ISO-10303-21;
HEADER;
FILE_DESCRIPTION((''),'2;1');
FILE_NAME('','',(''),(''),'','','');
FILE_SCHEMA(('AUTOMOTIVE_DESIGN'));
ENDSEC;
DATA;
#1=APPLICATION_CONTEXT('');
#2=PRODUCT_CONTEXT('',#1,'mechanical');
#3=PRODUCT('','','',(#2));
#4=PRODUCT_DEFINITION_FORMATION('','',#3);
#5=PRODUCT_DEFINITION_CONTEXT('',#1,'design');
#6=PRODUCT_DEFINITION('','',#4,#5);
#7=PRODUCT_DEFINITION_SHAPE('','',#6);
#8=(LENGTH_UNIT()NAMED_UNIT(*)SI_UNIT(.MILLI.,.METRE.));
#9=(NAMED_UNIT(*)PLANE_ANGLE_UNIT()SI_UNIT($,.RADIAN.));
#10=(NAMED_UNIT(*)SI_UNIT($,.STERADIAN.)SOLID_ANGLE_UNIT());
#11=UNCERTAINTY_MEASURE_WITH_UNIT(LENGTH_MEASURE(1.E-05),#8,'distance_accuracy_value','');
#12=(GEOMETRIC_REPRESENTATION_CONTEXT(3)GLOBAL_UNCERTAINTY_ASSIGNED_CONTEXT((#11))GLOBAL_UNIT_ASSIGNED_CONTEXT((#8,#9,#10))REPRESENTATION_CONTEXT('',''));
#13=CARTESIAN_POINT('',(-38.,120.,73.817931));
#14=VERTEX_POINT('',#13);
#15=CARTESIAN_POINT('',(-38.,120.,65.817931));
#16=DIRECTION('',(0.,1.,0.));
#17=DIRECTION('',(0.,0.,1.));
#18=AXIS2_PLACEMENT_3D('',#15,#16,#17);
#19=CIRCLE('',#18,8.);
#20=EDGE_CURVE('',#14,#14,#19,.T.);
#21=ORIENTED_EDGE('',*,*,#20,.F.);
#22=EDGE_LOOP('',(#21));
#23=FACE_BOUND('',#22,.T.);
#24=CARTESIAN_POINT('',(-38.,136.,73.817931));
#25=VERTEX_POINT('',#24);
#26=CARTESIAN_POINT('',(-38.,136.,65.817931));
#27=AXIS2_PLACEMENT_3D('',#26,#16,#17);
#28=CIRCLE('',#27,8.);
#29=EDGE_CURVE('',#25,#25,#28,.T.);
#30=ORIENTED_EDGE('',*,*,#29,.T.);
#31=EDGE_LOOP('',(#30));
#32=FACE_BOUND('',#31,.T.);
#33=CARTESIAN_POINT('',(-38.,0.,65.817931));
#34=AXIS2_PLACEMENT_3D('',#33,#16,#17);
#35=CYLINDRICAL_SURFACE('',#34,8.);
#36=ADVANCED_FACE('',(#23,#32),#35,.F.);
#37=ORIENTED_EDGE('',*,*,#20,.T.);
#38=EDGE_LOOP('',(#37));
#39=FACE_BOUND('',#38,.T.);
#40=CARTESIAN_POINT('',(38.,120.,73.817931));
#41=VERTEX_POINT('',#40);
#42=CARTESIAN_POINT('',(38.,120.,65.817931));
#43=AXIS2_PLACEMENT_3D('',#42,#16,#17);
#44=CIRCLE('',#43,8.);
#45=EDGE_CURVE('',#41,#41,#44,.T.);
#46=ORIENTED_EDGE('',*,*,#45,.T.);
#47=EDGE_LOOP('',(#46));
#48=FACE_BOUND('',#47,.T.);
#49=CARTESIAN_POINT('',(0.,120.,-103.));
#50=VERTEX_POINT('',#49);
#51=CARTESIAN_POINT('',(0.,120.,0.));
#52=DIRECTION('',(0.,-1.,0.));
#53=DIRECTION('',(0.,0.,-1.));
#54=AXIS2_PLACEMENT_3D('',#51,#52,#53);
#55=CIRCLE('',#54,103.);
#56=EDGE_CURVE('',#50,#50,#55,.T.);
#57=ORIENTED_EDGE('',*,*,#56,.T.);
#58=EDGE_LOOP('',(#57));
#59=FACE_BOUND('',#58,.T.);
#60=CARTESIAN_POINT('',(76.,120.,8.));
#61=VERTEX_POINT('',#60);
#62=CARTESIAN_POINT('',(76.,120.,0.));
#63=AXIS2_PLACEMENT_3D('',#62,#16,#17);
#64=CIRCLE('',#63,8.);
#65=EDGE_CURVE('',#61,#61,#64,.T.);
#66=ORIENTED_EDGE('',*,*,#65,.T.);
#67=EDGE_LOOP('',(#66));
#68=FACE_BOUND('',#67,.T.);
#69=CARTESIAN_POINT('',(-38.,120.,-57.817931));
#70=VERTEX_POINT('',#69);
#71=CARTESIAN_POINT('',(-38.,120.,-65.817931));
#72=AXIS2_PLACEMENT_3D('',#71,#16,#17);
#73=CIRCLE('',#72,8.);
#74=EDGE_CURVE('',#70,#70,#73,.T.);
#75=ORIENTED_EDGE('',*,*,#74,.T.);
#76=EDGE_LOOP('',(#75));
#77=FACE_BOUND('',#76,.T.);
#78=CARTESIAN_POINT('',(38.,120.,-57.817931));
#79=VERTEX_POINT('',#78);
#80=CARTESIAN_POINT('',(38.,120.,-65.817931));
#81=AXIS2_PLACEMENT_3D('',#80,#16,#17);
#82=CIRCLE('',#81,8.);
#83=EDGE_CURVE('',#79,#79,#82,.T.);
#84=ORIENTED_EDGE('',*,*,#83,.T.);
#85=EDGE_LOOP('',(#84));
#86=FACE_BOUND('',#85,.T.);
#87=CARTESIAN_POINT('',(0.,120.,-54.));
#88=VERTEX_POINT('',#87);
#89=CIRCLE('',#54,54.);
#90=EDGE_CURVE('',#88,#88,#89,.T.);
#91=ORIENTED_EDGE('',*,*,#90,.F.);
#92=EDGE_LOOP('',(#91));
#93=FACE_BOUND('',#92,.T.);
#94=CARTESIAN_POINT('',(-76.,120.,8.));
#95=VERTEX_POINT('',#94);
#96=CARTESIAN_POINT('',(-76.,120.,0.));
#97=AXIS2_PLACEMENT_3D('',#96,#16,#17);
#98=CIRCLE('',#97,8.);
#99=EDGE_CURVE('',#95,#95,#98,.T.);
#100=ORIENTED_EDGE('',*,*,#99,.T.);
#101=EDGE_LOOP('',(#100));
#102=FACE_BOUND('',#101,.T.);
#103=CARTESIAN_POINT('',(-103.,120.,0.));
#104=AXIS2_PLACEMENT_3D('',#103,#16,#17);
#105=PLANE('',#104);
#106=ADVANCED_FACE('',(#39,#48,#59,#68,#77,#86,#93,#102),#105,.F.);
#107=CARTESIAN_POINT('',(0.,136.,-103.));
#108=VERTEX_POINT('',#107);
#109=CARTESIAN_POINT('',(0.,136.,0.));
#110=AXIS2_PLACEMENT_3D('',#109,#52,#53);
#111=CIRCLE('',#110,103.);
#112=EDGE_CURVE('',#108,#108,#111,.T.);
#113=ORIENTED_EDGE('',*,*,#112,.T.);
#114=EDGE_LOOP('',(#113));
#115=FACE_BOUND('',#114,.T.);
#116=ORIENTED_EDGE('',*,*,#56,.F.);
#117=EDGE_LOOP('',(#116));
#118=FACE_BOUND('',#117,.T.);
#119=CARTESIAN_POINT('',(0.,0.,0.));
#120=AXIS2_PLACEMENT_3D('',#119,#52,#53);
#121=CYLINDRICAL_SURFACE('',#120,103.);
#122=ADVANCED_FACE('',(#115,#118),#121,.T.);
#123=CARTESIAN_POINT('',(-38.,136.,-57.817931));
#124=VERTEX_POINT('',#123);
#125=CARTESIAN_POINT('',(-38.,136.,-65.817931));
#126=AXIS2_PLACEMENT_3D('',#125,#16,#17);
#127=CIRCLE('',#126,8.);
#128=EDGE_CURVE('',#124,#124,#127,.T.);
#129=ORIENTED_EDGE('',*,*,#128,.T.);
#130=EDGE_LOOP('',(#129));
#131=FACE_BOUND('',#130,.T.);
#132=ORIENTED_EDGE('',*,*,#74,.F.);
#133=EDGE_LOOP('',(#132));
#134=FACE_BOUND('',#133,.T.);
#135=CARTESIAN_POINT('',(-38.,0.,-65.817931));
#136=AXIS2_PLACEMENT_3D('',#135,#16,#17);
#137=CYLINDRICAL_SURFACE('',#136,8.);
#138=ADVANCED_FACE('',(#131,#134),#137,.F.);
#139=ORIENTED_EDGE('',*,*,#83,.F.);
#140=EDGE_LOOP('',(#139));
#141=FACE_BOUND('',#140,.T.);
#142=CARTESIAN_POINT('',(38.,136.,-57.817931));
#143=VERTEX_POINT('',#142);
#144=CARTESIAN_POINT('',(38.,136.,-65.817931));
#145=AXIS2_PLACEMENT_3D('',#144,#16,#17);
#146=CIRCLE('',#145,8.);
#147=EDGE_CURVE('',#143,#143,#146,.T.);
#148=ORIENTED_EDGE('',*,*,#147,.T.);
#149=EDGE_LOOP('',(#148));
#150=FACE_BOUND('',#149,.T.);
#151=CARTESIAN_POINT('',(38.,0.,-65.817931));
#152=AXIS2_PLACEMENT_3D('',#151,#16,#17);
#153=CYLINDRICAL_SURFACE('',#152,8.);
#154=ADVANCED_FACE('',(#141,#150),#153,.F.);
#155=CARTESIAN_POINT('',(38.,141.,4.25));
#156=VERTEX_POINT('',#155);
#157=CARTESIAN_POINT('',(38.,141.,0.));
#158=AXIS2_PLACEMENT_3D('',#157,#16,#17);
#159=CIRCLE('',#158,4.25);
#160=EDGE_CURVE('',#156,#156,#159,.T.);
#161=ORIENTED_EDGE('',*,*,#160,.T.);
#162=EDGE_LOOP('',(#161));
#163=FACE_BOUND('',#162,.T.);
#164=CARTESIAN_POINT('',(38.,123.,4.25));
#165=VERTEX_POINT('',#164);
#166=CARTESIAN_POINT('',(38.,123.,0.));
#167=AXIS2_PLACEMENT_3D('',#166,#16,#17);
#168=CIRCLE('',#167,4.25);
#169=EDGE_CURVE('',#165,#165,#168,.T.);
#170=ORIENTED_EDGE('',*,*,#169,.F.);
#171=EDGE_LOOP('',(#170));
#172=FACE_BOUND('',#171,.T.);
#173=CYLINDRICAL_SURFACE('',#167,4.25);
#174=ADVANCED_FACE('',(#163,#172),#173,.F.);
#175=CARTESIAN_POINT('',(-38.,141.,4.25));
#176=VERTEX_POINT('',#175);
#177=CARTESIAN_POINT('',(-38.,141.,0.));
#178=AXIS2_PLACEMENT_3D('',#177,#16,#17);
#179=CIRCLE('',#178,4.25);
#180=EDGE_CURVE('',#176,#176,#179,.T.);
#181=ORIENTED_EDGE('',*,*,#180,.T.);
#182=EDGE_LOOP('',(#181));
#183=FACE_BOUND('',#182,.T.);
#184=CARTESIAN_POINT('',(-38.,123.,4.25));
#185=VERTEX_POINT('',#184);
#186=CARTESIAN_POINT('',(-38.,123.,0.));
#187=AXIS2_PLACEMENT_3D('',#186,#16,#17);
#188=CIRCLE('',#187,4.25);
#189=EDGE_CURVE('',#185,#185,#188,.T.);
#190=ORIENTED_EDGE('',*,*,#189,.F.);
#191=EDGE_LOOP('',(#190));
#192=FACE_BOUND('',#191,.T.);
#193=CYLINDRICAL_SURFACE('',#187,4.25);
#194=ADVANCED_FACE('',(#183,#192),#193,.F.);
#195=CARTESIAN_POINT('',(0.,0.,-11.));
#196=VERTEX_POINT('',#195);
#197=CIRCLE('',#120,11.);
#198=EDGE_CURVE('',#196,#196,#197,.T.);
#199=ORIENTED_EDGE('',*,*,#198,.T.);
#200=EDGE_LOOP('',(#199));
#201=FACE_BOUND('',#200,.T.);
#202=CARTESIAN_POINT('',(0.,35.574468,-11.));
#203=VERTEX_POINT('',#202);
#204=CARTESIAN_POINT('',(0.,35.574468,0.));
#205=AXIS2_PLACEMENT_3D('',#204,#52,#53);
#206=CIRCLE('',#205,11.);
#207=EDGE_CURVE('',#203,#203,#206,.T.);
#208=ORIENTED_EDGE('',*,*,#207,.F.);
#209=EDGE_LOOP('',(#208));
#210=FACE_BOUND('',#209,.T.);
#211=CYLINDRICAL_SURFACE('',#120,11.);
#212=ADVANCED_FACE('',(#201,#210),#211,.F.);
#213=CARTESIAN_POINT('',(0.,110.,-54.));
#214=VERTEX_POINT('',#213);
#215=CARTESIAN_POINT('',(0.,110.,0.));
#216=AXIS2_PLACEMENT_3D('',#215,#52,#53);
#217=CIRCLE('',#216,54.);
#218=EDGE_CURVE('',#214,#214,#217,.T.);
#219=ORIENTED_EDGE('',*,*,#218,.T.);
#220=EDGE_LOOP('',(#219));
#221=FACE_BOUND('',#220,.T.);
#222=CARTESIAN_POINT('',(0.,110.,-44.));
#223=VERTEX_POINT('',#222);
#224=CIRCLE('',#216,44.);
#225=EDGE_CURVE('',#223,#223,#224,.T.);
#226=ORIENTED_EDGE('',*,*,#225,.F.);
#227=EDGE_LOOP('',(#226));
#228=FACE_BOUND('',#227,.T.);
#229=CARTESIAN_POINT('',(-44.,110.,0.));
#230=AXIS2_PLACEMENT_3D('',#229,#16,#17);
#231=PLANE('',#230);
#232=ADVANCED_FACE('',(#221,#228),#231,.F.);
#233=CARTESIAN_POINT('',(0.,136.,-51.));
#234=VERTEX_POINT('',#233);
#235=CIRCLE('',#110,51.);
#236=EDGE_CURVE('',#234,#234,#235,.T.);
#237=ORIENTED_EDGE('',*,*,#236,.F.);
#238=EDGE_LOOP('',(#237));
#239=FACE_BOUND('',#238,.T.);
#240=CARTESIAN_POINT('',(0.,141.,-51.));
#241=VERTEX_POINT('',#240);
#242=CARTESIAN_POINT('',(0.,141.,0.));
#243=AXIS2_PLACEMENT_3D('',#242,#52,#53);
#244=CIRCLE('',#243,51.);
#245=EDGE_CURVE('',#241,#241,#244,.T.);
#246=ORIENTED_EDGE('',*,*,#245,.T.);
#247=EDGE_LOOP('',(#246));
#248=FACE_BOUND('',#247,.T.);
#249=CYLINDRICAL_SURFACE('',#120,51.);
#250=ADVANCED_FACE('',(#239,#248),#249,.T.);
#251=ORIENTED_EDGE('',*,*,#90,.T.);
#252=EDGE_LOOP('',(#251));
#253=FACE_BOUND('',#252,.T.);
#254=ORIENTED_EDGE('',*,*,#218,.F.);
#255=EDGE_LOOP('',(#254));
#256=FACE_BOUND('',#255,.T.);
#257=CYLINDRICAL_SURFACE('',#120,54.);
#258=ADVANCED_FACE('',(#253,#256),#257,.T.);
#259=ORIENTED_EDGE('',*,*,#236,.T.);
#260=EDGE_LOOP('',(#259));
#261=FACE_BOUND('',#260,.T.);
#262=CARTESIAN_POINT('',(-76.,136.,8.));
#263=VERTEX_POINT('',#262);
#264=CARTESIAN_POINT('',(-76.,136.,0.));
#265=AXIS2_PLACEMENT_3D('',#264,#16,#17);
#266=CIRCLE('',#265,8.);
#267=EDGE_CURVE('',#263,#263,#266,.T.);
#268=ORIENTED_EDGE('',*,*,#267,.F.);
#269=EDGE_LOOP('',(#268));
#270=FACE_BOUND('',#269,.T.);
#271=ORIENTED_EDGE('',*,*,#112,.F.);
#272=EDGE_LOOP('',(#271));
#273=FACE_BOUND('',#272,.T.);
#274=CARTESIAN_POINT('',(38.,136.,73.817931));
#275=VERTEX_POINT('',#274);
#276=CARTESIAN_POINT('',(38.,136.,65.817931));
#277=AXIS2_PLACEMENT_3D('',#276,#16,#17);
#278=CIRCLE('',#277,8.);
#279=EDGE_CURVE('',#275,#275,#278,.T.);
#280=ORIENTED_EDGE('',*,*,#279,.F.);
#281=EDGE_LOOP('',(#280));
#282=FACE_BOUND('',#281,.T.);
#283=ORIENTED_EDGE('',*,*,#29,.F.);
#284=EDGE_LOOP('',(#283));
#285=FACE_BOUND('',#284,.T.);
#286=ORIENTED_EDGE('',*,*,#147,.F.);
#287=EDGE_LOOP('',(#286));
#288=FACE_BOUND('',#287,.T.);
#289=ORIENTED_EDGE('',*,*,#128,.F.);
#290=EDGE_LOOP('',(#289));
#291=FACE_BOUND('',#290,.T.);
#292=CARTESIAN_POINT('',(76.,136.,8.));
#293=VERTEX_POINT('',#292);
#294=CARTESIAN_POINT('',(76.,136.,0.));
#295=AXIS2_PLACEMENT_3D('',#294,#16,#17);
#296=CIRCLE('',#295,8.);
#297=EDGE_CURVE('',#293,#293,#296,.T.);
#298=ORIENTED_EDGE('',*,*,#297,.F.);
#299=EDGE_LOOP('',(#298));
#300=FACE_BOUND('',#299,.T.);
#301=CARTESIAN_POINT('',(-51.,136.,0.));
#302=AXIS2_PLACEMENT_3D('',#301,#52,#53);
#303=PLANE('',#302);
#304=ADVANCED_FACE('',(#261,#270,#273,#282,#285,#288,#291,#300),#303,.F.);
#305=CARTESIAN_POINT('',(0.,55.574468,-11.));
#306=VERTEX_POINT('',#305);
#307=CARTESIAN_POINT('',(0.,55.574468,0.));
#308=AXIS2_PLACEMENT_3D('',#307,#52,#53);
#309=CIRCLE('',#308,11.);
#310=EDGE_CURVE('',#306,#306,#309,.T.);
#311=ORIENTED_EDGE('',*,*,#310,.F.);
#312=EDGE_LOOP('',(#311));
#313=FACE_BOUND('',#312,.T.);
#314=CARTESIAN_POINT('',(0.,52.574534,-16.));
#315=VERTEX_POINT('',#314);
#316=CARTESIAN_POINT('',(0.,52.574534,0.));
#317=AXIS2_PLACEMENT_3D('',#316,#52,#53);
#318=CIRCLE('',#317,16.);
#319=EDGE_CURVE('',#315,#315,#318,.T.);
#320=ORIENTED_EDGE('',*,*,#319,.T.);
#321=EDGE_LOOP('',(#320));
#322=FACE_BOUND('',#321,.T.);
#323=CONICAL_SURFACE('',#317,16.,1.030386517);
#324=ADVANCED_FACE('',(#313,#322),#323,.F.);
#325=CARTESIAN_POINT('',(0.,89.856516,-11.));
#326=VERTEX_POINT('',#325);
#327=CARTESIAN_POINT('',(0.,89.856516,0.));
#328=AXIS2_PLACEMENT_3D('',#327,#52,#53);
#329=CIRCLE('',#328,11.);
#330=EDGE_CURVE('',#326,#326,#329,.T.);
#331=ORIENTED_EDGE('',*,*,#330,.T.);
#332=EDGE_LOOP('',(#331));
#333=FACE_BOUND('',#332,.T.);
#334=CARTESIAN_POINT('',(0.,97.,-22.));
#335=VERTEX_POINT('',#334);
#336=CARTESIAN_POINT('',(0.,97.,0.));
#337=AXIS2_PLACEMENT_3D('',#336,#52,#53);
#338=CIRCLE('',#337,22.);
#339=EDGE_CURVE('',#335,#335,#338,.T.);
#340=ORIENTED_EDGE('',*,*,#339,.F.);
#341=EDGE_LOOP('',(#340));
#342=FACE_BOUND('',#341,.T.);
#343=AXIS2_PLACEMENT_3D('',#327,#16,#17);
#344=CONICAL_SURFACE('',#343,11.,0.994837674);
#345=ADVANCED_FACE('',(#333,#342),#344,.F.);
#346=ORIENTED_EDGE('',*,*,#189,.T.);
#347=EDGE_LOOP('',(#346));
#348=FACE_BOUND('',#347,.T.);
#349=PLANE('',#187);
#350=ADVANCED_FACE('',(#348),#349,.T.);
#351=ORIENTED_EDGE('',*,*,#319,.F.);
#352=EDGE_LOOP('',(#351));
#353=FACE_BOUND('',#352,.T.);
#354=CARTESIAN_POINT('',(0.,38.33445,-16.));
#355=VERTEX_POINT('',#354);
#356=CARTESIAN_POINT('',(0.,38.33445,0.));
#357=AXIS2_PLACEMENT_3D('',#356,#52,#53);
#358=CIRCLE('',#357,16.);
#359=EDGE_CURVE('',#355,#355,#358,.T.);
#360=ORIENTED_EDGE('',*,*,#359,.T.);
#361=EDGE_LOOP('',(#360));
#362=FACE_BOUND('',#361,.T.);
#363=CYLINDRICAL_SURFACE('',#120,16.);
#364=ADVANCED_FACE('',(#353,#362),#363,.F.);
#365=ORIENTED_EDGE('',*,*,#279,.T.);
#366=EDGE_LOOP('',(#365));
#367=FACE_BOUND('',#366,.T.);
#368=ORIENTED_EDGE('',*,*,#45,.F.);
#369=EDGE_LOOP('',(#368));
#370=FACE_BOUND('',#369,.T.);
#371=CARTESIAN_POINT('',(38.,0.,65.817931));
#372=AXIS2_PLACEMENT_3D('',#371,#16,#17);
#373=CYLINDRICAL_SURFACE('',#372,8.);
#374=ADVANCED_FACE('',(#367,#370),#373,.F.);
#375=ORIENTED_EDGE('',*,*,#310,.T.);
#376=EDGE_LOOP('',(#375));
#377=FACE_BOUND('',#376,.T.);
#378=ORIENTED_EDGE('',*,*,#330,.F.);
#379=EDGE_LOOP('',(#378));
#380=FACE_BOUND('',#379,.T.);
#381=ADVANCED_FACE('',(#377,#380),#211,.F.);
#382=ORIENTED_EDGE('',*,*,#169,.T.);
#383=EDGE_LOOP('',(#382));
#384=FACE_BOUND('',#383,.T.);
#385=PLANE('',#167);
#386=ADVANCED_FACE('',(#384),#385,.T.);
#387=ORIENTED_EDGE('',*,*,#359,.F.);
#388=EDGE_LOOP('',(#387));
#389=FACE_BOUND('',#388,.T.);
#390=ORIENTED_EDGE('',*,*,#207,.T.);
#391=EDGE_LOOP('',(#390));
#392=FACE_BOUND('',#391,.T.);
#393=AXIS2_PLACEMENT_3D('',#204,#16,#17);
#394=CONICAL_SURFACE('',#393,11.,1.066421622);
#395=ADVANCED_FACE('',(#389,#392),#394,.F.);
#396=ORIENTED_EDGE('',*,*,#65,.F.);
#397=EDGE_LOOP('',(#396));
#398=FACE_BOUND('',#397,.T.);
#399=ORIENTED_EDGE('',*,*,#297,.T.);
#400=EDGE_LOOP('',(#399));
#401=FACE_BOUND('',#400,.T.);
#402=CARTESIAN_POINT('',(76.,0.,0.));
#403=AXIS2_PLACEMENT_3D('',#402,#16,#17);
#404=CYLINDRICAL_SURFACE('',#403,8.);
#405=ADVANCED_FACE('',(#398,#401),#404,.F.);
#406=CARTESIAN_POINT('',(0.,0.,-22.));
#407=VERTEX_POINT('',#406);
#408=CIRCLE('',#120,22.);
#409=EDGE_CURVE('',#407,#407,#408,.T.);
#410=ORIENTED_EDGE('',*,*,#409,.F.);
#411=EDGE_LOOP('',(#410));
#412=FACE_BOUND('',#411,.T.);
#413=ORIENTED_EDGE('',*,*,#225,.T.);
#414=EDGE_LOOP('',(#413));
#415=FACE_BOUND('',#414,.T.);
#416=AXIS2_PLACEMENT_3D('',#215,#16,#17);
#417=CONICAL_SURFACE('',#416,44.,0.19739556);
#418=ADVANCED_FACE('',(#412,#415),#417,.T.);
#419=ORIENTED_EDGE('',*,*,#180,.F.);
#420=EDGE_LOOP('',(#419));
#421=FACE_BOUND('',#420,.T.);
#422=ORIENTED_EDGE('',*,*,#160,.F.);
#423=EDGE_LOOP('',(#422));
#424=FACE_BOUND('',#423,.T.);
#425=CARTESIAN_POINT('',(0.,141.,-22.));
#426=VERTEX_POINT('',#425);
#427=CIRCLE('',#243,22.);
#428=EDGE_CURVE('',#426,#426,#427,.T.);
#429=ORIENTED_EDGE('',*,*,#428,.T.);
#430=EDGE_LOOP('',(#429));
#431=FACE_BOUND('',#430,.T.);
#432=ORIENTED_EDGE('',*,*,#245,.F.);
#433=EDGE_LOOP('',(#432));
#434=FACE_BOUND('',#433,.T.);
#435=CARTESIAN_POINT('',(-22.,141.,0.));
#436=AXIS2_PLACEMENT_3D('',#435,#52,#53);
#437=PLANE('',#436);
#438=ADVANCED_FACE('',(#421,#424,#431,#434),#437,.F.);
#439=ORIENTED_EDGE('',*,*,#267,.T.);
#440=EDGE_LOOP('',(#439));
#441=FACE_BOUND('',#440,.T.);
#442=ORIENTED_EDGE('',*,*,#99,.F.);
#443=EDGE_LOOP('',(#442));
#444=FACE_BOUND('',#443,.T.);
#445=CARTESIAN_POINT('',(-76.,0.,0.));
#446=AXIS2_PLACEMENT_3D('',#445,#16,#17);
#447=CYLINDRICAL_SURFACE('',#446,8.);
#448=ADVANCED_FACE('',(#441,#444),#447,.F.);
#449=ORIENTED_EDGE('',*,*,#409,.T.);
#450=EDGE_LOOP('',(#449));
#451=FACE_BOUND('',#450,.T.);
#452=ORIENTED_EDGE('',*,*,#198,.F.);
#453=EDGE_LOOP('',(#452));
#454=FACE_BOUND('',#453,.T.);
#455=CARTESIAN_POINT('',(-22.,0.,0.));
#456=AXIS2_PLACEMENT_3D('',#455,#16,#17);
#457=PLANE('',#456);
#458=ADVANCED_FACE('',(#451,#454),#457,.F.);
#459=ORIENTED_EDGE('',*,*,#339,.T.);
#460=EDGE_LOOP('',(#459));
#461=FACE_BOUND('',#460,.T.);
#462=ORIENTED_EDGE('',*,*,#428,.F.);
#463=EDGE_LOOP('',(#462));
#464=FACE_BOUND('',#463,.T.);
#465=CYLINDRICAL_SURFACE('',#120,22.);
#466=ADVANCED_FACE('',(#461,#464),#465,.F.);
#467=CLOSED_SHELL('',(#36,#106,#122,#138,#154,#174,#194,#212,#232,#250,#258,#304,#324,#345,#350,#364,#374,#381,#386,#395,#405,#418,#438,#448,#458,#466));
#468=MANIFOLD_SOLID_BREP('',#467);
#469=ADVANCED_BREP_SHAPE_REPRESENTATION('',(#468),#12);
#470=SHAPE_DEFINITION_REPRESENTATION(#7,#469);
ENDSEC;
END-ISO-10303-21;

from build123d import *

# Parameters (mm, degrees)
SKETCH2_R          = 8
CUT_EXTRUDE1_DEPTH = 200.283717348
SKETCH3_R          = 4.25
CUT_EXTRUDE2_DEPTH = 18


with BuildPart() as part:
    # Sketch1 → Revolve1 (revolve)
    with BuildSketch(Plane.XY):
        Polygon((-22, 0), (-11, 0), (-11, 35.574468085), (-16, 38.334450356), (-16, 52.574533983), (-11, 55.574468085), (-11, 89.856516475), (-22, 97), (-22, 141), (-51, 141), (-51, 136), (-103, 136), (-103, 120), (-54, 120), (-54, 110), (-44, 110), align=None)
    revolve(axis=Axis((0, 0, 0), (0, 1, 0)))

    # Sketch2 → Cut-Extrude1 (cut, through all)
    with BuildSketch(Plane(origin=(0, 136, 0), x_dir=(1, 0, 0), z_dir=(0, 1, 0))):
        with Locations((-76, 0)):
            Circle(SKETCH2_R)
        with Locations((-38, 65.817930688)):
            Circle(SKETCH2_R)
        with Locations((38, 65.817930688)):
            Circle(SKETCH2_R)
        with Locations((76, 0)):
            Circle(SKETCH2_R)
        with Locations((38, -65.817930688)):
            Circle(SKETCH2_R)
        with Locations((-38, -65.817930688)):
            Circle(SKETCH2_R)
    extrude(amount=-CUT_EXTRUDE1_DEPTH, mode=Mode.SUBTRACT)

    # Sketch3 → Cut-Extrude2 (cut)
    with BuildSketch(Plane(origin=(0, 141, 0), x_dir=(1, 0, 0), z_dir=(0, 1, 0))):
        with Locations((-38, 0)):
            Circle(SKETCH3_R)
        with Locations((38, 0)):
            Circle(SKETCH3_R)
    extrude(amount=-CUT_EXTRUDE2_DEPTH, mode=Mode.SUBTRACT)


solid = part.part
